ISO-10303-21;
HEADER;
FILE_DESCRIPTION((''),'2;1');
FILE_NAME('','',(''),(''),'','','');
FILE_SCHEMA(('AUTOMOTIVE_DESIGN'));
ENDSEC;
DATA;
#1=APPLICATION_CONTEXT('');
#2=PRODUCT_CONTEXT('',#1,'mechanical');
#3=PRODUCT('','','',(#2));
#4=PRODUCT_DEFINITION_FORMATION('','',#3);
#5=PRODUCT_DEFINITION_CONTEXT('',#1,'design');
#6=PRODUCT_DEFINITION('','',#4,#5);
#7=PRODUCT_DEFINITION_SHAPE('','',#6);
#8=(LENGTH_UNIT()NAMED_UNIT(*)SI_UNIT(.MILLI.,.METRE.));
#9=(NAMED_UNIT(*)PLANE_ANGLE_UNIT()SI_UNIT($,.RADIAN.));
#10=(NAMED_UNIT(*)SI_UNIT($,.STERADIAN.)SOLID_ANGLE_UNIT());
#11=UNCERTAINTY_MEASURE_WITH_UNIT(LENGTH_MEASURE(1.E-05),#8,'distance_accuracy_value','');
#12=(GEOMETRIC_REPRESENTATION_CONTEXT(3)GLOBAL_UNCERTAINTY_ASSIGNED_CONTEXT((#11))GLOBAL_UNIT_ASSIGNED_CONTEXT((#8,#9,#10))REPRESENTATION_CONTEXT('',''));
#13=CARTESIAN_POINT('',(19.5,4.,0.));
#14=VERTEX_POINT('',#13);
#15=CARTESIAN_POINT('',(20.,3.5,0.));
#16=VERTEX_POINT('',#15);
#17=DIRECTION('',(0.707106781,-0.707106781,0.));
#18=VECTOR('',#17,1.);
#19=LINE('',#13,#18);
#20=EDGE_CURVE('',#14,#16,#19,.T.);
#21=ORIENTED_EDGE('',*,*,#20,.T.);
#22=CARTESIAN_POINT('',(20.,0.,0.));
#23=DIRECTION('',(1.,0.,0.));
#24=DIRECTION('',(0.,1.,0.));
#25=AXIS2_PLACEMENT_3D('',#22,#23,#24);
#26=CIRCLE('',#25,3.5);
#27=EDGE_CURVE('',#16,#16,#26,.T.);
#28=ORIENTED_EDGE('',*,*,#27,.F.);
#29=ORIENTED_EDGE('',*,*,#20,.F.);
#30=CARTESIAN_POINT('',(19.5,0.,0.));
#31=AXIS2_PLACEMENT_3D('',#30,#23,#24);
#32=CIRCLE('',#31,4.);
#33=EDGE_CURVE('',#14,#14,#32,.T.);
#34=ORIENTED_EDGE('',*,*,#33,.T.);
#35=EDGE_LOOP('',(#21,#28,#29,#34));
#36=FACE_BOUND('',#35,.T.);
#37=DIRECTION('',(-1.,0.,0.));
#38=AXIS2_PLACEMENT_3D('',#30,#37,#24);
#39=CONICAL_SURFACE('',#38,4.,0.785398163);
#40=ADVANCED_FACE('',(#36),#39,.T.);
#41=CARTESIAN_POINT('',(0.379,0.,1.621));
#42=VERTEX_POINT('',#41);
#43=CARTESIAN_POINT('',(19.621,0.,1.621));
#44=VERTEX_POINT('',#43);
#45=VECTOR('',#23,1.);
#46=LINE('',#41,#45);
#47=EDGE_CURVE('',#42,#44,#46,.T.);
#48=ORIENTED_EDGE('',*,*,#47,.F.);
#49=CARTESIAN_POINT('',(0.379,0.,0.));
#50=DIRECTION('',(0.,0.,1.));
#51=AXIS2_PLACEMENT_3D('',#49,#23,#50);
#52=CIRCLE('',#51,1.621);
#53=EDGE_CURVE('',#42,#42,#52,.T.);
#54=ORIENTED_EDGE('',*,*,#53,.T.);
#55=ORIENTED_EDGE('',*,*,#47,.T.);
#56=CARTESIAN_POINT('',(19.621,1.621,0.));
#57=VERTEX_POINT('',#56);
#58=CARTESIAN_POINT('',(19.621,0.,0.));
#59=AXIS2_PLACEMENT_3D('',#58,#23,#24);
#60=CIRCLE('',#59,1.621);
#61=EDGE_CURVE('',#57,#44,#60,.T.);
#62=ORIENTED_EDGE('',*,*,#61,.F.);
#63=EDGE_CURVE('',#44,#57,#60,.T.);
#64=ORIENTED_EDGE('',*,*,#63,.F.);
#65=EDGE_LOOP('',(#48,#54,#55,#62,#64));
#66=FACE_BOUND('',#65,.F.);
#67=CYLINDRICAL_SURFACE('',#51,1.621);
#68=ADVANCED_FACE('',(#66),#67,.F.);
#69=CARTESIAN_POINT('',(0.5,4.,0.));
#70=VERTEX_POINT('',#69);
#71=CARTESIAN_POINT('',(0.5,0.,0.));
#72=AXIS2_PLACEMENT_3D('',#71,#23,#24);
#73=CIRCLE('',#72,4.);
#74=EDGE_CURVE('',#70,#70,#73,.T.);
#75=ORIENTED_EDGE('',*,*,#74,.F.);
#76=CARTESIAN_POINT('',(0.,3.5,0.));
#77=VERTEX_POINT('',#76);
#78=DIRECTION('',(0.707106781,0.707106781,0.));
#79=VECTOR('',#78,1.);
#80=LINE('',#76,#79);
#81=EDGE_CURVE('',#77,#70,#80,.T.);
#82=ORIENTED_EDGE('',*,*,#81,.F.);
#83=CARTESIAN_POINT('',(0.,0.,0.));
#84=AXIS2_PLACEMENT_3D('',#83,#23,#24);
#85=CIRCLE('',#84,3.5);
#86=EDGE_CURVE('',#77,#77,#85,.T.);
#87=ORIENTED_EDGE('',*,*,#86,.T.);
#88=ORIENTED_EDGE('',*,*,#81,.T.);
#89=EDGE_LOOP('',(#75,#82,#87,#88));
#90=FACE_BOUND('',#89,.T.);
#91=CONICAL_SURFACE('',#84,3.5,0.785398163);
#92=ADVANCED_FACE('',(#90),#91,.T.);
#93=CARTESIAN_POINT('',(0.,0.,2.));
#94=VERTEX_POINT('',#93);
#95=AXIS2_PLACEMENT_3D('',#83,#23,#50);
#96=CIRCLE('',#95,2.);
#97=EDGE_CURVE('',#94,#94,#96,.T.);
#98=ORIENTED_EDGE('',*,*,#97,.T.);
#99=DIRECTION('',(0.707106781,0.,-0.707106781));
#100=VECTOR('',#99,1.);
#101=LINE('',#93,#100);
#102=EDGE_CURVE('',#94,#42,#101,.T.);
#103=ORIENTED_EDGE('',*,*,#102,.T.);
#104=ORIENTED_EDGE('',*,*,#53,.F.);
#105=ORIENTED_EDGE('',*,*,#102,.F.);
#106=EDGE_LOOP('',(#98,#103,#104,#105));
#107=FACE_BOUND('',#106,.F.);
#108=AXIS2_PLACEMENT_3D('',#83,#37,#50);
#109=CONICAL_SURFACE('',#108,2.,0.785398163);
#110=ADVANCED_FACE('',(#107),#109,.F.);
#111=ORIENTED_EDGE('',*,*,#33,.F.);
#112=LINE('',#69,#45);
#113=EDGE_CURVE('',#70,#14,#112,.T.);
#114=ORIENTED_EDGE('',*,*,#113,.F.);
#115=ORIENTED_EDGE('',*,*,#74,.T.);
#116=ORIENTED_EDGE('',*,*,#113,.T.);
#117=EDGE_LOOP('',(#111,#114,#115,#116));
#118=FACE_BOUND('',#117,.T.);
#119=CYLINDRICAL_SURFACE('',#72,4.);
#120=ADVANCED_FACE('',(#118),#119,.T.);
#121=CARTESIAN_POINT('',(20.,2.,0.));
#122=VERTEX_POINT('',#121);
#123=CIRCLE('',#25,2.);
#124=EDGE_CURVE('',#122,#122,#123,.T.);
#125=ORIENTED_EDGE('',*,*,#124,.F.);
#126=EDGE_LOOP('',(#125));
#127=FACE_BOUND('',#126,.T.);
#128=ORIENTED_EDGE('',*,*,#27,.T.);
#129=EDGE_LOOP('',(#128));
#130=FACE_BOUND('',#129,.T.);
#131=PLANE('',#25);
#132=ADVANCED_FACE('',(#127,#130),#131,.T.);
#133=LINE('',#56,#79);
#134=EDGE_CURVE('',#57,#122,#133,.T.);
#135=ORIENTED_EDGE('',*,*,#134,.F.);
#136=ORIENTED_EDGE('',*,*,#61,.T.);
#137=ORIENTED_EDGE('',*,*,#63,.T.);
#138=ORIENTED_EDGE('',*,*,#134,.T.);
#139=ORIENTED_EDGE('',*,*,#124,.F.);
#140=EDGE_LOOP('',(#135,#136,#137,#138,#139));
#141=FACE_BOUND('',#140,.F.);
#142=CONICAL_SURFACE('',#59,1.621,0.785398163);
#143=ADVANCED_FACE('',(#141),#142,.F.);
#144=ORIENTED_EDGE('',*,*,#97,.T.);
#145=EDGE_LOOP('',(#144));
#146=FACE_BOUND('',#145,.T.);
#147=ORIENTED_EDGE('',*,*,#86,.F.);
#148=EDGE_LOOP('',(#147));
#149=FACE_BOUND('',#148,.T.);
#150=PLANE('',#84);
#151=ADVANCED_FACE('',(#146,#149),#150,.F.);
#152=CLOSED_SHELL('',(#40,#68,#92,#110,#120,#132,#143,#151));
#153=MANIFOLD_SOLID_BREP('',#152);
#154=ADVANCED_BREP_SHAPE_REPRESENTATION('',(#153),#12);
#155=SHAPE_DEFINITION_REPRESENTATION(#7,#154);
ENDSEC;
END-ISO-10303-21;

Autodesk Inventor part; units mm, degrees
ref_plane "YZ Plane" through (0, 0, 0) normal (1, 0, 0) x (0, 1, 0)
ref_plane "XZ Plane" through (0, 0, 0) normal (0, 1, 0) x (-1, 0, 0)
ref_plane "XY Plane" through (0, 0, 0) normal (0, 0, 1) x (1, 0, 0)
sketch "Sketch_1" plane through (0, 0, 0) normal (0, 0, 1) x (1, 0, 0)
  line L0 (20, 0) -> (0, 0)
  line L1 (0, 0) -> (0, 3.5)
  line L2 (0, 3.5) -> (0.5, 4)
  line L3 (0.5, 4) -> (19.5, 4)
  line L4 (19.5, 4) -> (20, 3.5)
  line L5 (20, 3.5) -> (20, 0)
  line L6 (20, 0) -> (0, 0)
revolve "Revolution1" add sketch "Sketch_1" angle 360 about axis through (20, 0, 0) along (1, 0, 0)
sketch "Sketch2" plane through (0, 0, 0) normal (-1, 0, 0) x (0, 0, 1)
  point P0 (0, 0)
hole "Hole1" at (0, 0, 0) direction (1, 0, 0) diameter 3.242 depth 29.0641 tip angle 120 countersink diameter 4 countersink angle 90 thread size "M4x0.7" class "6H" standard "ISO Metric profile"
sketch "_____16" plane through (0, 0, 0) normal (0, 0, 1) x (1, 0, 0)
  line L0 (20, 0) -> (-10, 0)
  line L1 (-10, 0) -> (-9.0641, 1.621)
  line L2 (-9.0641, 1.621) -> (19.621, 1.621)
  line L3 (19.621, 1.621) -> (20, 2)
  line L4 (20, 2) -> (20, 0)
  line L5 (20, 0) -> (-10, 0)
revolve "Revolution2" cut sketch "_____16" angle 360 about axis through (20, 0, 0) along (1, 0, 0)
thread "Thread1" size "M4x0.7" class "6H" standard "ISO Metric profile" length 7.621
properties part number "SFHRW8-20-M4-N4_s" material "鋼、炭素鋼"
